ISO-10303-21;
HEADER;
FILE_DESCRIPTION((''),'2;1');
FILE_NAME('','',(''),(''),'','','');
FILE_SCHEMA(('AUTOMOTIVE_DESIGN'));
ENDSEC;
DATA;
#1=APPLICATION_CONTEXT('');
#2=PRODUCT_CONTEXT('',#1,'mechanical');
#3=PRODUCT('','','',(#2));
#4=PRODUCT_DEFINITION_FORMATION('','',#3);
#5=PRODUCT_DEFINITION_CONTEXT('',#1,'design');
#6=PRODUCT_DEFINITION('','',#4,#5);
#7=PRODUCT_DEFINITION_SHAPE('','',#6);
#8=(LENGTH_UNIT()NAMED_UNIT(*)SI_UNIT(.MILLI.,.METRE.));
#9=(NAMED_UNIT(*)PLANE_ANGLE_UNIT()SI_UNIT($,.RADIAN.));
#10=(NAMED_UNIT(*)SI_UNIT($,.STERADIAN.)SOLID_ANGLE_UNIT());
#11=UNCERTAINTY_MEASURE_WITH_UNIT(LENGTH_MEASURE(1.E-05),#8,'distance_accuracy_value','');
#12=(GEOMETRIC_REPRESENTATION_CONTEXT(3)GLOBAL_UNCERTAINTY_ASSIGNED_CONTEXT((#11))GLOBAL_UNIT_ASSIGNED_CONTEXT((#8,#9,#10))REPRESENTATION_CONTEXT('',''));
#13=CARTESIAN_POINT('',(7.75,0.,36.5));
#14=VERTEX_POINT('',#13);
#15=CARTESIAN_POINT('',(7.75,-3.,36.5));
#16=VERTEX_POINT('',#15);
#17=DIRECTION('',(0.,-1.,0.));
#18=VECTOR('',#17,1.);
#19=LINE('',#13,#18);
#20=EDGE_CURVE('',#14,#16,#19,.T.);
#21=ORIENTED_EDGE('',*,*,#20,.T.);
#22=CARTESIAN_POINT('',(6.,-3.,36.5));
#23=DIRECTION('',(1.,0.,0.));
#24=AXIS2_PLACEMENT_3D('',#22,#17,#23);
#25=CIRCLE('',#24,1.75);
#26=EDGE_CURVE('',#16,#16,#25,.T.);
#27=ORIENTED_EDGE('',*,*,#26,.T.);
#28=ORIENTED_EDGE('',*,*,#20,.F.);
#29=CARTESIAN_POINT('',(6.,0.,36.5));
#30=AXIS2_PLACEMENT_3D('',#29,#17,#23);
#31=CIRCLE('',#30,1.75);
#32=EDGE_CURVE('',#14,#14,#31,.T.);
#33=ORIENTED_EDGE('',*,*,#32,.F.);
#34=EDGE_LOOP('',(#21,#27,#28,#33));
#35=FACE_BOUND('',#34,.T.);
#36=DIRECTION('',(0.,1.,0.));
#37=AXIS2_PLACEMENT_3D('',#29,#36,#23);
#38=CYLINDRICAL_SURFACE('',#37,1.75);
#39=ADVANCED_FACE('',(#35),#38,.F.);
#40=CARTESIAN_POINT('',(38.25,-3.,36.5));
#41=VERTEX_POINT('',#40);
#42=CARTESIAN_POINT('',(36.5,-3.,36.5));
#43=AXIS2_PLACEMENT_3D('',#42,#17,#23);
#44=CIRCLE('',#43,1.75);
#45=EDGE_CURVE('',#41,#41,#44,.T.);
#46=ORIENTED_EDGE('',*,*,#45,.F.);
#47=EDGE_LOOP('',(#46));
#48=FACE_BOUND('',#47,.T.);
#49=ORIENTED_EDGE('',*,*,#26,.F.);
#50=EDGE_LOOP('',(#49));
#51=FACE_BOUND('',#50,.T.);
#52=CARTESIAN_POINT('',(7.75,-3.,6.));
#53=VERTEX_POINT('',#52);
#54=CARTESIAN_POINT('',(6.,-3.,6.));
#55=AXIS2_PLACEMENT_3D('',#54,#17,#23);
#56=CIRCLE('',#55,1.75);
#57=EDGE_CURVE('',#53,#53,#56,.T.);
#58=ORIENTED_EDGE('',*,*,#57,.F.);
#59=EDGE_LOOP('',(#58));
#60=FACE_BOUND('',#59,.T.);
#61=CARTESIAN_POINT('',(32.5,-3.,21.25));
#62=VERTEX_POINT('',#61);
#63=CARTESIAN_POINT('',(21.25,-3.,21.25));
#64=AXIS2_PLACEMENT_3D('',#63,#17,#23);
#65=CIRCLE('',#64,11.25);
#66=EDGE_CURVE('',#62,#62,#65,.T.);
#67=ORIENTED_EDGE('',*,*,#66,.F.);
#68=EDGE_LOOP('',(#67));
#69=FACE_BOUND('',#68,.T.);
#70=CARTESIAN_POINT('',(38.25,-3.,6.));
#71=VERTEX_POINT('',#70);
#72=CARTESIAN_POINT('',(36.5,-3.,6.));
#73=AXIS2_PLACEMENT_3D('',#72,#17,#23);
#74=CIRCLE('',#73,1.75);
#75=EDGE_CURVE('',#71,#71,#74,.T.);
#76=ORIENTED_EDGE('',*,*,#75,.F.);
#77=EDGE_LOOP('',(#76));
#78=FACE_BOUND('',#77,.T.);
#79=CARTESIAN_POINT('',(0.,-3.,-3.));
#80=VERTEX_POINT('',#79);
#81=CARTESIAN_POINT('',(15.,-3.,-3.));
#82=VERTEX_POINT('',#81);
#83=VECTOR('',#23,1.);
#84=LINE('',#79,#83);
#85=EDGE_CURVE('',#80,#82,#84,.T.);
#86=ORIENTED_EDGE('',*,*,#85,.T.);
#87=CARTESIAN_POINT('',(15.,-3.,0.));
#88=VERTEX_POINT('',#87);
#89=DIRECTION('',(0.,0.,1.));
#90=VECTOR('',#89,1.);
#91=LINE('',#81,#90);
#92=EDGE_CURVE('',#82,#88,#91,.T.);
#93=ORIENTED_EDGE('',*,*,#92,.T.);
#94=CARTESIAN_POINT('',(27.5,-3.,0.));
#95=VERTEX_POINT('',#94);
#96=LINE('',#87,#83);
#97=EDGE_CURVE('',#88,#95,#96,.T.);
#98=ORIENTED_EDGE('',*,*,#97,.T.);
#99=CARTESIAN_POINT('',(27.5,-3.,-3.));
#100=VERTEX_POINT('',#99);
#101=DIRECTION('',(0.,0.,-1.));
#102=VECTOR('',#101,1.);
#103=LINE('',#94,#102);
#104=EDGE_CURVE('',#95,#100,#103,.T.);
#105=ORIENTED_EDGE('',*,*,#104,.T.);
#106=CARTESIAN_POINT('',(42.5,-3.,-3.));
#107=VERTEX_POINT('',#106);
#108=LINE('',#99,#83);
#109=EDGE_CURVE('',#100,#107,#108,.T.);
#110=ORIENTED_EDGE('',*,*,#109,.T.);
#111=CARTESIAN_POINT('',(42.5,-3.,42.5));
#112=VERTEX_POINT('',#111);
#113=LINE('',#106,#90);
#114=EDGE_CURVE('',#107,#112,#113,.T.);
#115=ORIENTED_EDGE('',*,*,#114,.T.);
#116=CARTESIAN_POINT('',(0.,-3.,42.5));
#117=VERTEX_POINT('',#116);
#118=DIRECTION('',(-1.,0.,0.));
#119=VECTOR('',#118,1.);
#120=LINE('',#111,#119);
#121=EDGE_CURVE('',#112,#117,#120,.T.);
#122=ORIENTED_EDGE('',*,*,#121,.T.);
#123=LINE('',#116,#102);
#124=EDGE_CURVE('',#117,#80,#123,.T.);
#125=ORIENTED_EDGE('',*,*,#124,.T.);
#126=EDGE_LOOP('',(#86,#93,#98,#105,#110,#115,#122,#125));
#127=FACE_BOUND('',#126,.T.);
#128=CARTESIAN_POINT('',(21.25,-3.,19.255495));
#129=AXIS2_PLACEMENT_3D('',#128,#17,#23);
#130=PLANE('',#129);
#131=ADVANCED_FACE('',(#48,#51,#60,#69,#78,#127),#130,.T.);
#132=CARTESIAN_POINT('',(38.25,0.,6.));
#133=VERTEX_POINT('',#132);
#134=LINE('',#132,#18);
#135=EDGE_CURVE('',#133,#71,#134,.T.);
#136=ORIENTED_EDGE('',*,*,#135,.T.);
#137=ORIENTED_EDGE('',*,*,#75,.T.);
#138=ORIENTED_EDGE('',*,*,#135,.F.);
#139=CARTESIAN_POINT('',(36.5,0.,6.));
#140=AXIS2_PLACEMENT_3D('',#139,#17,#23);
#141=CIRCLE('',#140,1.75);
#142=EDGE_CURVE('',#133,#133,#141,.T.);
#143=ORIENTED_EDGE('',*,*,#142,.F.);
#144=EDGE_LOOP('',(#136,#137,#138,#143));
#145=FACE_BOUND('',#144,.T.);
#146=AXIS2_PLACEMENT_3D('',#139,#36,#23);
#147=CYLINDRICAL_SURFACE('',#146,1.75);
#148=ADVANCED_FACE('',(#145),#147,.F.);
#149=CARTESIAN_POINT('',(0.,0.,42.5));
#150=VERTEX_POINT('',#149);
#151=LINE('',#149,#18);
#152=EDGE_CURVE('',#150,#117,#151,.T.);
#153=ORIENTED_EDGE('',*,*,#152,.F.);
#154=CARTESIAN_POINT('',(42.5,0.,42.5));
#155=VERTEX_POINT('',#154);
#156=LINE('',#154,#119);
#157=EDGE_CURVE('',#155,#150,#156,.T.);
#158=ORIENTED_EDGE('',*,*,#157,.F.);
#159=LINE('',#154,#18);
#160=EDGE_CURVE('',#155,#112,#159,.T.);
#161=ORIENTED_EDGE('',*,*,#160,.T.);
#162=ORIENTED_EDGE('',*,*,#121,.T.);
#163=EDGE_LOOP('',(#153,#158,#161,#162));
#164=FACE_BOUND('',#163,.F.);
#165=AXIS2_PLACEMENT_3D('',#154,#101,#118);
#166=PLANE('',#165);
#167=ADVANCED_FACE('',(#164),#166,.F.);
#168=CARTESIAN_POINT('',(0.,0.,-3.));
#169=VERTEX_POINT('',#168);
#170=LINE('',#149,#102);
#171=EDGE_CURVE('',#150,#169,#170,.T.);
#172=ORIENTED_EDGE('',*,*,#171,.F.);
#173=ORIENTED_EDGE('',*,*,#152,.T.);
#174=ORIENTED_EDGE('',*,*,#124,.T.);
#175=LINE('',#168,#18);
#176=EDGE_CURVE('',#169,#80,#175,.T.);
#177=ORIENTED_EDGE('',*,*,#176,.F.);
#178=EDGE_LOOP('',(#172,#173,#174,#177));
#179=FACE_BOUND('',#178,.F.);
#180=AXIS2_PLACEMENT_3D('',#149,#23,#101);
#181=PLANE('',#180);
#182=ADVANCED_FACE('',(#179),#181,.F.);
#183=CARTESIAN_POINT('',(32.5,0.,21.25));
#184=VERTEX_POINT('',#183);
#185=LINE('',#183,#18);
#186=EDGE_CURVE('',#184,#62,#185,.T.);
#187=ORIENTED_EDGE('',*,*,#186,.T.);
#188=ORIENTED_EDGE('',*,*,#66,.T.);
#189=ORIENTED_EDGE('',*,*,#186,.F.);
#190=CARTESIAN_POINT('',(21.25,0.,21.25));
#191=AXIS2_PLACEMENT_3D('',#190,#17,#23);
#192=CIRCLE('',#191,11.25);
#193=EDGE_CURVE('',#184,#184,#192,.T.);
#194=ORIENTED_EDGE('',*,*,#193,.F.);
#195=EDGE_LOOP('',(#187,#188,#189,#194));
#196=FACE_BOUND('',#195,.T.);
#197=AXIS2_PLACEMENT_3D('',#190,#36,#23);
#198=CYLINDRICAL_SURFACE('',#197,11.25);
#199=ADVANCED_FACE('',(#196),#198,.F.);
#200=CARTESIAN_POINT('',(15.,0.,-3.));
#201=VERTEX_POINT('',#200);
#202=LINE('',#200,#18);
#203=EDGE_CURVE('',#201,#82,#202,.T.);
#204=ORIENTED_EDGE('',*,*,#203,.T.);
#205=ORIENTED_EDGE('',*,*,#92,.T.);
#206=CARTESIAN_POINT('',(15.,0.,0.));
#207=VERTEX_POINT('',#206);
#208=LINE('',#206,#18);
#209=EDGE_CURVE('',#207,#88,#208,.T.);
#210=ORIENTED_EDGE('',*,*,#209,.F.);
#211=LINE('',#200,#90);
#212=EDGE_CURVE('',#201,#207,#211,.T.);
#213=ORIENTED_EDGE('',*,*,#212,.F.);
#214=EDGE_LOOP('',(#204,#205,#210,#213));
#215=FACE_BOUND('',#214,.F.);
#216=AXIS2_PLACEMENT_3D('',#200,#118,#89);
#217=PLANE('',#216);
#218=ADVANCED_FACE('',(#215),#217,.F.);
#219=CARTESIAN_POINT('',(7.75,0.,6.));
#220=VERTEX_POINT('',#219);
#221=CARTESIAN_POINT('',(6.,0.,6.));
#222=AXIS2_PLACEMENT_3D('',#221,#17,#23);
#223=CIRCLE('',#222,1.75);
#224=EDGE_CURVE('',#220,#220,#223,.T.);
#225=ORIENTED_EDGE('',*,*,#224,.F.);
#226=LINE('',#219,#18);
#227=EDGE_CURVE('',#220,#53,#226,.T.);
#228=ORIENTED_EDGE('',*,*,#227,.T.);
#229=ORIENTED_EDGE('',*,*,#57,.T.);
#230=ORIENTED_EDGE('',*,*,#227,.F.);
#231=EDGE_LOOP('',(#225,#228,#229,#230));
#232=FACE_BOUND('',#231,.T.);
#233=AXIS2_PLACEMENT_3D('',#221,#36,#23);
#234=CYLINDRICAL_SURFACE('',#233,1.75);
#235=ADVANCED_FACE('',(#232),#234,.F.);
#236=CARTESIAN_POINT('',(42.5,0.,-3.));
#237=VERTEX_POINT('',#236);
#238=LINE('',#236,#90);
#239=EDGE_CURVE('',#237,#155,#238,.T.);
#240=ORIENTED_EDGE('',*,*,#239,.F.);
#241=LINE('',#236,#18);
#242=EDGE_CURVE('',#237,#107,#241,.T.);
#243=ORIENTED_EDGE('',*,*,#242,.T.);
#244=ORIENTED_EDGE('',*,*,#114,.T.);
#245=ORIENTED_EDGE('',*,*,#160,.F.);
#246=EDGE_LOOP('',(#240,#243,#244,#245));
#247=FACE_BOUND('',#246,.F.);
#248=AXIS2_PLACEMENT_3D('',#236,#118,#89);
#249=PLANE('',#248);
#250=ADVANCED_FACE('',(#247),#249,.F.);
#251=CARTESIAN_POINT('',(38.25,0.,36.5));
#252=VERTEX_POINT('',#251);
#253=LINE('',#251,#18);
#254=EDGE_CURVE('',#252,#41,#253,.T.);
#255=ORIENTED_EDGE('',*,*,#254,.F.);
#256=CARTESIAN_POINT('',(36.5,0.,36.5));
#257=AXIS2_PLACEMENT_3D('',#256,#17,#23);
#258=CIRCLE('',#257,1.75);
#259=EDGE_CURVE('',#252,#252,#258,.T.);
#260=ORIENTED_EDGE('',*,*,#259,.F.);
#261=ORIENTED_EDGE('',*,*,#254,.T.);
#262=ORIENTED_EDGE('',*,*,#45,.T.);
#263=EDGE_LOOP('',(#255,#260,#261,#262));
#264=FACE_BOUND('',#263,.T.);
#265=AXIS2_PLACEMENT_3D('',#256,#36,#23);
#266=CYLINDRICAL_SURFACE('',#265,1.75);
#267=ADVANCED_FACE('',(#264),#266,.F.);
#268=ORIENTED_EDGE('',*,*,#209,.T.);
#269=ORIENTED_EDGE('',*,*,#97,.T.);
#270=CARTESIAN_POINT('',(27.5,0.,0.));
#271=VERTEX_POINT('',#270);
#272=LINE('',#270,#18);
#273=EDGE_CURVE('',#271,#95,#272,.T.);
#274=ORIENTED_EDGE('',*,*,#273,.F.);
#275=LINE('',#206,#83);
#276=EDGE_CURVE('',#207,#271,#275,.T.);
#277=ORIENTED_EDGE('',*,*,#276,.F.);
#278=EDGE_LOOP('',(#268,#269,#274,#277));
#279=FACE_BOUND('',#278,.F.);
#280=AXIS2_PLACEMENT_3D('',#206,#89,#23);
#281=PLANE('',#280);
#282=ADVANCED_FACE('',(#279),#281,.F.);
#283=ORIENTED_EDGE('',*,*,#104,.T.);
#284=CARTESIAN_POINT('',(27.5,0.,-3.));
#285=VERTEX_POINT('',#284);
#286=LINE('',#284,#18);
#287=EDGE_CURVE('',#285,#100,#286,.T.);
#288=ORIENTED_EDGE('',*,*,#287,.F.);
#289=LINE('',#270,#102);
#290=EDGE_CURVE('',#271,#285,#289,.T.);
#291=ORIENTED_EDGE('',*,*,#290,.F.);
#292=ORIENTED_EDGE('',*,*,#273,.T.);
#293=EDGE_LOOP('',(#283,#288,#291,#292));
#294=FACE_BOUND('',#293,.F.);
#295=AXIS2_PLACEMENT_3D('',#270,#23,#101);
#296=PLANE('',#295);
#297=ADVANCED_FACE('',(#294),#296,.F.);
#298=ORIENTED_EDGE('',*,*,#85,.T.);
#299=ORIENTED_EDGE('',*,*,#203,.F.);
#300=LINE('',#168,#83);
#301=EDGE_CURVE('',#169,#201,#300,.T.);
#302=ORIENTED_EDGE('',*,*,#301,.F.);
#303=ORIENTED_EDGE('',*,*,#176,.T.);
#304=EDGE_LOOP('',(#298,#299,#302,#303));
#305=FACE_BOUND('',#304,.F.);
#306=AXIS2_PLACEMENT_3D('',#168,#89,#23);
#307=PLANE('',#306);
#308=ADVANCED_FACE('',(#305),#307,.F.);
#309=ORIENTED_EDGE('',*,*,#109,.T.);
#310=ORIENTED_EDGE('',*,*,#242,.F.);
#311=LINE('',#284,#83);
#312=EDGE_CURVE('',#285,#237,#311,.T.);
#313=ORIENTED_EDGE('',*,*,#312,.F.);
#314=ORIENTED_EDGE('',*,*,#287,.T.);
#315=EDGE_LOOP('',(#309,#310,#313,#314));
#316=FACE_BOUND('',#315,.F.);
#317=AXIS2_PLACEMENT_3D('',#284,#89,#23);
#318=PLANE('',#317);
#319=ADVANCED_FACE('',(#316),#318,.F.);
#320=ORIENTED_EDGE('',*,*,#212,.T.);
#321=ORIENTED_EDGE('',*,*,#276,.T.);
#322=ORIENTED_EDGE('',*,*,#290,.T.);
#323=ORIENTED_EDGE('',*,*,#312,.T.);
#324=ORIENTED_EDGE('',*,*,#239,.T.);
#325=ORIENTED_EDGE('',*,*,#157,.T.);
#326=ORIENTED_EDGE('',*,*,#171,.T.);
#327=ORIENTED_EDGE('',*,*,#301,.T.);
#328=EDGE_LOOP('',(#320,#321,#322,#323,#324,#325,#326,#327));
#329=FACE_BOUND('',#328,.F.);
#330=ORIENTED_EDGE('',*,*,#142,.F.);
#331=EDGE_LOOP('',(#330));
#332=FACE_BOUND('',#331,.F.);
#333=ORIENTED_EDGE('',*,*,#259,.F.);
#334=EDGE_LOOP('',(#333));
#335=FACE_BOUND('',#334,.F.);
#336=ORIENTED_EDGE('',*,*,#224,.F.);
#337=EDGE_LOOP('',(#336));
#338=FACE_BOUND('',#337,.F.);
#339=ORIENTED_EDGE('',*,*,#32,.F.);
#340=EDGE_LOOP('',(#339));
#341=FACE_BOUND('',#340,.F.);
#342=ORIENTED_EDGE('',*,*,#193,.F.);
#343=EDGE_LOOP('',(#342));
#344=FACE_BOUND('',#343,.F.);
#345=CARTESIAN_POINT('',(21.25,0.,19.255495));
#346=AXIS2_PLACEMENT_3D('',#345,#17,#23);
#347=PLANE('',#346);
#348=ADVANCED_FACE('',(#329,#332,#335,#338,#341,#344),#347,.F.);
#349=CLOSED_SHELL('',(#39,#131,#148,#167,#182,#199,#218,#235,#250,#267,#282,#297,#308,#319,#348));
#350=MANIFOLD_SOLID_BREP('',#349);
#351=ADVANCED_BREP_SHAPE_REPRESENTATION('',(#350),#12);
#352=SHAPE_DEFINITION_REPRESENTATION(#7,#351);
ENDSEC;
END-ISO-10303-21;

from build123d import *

# Parameters (mm, degrees)
F0_R     = 1.75
F0_R_2   = 11.25
F1_DEPTH = 3


with BuildPart() as f1:
    # F0 (on Front) → F1 (new body)
    with BuildSketch(Plane.XZ):
        Polygon((15, -3), (15, 0), (27.5, 0), (27.5, -3), (42.5, -3), (42.5, 0), (42.5, 42.5), (0, 42.5), (0, 0), (0, -3), align=None)
        with Locations((6, 6)):
            Circle(F0_R, mode=Mode.SUBTRACT)
        with Locations((36.5, 6)):
            Circle(F0_R, mode=Mode.SUBTRACT)
        with Locations((21.25, 21.25)):
            Circle(F0_R_2, mode=Mode.SUBTRACT)
        with Locations((6, 36.5)):
            Circle(F0_R, mode=Mode.SUBTRACT)
        with Locations((36.5, 36.5)):
            Circle(F0_R, mode=Mode.SUBTRACT)
    extrude(amount=F1_DEPTH)


solid = f1.part
